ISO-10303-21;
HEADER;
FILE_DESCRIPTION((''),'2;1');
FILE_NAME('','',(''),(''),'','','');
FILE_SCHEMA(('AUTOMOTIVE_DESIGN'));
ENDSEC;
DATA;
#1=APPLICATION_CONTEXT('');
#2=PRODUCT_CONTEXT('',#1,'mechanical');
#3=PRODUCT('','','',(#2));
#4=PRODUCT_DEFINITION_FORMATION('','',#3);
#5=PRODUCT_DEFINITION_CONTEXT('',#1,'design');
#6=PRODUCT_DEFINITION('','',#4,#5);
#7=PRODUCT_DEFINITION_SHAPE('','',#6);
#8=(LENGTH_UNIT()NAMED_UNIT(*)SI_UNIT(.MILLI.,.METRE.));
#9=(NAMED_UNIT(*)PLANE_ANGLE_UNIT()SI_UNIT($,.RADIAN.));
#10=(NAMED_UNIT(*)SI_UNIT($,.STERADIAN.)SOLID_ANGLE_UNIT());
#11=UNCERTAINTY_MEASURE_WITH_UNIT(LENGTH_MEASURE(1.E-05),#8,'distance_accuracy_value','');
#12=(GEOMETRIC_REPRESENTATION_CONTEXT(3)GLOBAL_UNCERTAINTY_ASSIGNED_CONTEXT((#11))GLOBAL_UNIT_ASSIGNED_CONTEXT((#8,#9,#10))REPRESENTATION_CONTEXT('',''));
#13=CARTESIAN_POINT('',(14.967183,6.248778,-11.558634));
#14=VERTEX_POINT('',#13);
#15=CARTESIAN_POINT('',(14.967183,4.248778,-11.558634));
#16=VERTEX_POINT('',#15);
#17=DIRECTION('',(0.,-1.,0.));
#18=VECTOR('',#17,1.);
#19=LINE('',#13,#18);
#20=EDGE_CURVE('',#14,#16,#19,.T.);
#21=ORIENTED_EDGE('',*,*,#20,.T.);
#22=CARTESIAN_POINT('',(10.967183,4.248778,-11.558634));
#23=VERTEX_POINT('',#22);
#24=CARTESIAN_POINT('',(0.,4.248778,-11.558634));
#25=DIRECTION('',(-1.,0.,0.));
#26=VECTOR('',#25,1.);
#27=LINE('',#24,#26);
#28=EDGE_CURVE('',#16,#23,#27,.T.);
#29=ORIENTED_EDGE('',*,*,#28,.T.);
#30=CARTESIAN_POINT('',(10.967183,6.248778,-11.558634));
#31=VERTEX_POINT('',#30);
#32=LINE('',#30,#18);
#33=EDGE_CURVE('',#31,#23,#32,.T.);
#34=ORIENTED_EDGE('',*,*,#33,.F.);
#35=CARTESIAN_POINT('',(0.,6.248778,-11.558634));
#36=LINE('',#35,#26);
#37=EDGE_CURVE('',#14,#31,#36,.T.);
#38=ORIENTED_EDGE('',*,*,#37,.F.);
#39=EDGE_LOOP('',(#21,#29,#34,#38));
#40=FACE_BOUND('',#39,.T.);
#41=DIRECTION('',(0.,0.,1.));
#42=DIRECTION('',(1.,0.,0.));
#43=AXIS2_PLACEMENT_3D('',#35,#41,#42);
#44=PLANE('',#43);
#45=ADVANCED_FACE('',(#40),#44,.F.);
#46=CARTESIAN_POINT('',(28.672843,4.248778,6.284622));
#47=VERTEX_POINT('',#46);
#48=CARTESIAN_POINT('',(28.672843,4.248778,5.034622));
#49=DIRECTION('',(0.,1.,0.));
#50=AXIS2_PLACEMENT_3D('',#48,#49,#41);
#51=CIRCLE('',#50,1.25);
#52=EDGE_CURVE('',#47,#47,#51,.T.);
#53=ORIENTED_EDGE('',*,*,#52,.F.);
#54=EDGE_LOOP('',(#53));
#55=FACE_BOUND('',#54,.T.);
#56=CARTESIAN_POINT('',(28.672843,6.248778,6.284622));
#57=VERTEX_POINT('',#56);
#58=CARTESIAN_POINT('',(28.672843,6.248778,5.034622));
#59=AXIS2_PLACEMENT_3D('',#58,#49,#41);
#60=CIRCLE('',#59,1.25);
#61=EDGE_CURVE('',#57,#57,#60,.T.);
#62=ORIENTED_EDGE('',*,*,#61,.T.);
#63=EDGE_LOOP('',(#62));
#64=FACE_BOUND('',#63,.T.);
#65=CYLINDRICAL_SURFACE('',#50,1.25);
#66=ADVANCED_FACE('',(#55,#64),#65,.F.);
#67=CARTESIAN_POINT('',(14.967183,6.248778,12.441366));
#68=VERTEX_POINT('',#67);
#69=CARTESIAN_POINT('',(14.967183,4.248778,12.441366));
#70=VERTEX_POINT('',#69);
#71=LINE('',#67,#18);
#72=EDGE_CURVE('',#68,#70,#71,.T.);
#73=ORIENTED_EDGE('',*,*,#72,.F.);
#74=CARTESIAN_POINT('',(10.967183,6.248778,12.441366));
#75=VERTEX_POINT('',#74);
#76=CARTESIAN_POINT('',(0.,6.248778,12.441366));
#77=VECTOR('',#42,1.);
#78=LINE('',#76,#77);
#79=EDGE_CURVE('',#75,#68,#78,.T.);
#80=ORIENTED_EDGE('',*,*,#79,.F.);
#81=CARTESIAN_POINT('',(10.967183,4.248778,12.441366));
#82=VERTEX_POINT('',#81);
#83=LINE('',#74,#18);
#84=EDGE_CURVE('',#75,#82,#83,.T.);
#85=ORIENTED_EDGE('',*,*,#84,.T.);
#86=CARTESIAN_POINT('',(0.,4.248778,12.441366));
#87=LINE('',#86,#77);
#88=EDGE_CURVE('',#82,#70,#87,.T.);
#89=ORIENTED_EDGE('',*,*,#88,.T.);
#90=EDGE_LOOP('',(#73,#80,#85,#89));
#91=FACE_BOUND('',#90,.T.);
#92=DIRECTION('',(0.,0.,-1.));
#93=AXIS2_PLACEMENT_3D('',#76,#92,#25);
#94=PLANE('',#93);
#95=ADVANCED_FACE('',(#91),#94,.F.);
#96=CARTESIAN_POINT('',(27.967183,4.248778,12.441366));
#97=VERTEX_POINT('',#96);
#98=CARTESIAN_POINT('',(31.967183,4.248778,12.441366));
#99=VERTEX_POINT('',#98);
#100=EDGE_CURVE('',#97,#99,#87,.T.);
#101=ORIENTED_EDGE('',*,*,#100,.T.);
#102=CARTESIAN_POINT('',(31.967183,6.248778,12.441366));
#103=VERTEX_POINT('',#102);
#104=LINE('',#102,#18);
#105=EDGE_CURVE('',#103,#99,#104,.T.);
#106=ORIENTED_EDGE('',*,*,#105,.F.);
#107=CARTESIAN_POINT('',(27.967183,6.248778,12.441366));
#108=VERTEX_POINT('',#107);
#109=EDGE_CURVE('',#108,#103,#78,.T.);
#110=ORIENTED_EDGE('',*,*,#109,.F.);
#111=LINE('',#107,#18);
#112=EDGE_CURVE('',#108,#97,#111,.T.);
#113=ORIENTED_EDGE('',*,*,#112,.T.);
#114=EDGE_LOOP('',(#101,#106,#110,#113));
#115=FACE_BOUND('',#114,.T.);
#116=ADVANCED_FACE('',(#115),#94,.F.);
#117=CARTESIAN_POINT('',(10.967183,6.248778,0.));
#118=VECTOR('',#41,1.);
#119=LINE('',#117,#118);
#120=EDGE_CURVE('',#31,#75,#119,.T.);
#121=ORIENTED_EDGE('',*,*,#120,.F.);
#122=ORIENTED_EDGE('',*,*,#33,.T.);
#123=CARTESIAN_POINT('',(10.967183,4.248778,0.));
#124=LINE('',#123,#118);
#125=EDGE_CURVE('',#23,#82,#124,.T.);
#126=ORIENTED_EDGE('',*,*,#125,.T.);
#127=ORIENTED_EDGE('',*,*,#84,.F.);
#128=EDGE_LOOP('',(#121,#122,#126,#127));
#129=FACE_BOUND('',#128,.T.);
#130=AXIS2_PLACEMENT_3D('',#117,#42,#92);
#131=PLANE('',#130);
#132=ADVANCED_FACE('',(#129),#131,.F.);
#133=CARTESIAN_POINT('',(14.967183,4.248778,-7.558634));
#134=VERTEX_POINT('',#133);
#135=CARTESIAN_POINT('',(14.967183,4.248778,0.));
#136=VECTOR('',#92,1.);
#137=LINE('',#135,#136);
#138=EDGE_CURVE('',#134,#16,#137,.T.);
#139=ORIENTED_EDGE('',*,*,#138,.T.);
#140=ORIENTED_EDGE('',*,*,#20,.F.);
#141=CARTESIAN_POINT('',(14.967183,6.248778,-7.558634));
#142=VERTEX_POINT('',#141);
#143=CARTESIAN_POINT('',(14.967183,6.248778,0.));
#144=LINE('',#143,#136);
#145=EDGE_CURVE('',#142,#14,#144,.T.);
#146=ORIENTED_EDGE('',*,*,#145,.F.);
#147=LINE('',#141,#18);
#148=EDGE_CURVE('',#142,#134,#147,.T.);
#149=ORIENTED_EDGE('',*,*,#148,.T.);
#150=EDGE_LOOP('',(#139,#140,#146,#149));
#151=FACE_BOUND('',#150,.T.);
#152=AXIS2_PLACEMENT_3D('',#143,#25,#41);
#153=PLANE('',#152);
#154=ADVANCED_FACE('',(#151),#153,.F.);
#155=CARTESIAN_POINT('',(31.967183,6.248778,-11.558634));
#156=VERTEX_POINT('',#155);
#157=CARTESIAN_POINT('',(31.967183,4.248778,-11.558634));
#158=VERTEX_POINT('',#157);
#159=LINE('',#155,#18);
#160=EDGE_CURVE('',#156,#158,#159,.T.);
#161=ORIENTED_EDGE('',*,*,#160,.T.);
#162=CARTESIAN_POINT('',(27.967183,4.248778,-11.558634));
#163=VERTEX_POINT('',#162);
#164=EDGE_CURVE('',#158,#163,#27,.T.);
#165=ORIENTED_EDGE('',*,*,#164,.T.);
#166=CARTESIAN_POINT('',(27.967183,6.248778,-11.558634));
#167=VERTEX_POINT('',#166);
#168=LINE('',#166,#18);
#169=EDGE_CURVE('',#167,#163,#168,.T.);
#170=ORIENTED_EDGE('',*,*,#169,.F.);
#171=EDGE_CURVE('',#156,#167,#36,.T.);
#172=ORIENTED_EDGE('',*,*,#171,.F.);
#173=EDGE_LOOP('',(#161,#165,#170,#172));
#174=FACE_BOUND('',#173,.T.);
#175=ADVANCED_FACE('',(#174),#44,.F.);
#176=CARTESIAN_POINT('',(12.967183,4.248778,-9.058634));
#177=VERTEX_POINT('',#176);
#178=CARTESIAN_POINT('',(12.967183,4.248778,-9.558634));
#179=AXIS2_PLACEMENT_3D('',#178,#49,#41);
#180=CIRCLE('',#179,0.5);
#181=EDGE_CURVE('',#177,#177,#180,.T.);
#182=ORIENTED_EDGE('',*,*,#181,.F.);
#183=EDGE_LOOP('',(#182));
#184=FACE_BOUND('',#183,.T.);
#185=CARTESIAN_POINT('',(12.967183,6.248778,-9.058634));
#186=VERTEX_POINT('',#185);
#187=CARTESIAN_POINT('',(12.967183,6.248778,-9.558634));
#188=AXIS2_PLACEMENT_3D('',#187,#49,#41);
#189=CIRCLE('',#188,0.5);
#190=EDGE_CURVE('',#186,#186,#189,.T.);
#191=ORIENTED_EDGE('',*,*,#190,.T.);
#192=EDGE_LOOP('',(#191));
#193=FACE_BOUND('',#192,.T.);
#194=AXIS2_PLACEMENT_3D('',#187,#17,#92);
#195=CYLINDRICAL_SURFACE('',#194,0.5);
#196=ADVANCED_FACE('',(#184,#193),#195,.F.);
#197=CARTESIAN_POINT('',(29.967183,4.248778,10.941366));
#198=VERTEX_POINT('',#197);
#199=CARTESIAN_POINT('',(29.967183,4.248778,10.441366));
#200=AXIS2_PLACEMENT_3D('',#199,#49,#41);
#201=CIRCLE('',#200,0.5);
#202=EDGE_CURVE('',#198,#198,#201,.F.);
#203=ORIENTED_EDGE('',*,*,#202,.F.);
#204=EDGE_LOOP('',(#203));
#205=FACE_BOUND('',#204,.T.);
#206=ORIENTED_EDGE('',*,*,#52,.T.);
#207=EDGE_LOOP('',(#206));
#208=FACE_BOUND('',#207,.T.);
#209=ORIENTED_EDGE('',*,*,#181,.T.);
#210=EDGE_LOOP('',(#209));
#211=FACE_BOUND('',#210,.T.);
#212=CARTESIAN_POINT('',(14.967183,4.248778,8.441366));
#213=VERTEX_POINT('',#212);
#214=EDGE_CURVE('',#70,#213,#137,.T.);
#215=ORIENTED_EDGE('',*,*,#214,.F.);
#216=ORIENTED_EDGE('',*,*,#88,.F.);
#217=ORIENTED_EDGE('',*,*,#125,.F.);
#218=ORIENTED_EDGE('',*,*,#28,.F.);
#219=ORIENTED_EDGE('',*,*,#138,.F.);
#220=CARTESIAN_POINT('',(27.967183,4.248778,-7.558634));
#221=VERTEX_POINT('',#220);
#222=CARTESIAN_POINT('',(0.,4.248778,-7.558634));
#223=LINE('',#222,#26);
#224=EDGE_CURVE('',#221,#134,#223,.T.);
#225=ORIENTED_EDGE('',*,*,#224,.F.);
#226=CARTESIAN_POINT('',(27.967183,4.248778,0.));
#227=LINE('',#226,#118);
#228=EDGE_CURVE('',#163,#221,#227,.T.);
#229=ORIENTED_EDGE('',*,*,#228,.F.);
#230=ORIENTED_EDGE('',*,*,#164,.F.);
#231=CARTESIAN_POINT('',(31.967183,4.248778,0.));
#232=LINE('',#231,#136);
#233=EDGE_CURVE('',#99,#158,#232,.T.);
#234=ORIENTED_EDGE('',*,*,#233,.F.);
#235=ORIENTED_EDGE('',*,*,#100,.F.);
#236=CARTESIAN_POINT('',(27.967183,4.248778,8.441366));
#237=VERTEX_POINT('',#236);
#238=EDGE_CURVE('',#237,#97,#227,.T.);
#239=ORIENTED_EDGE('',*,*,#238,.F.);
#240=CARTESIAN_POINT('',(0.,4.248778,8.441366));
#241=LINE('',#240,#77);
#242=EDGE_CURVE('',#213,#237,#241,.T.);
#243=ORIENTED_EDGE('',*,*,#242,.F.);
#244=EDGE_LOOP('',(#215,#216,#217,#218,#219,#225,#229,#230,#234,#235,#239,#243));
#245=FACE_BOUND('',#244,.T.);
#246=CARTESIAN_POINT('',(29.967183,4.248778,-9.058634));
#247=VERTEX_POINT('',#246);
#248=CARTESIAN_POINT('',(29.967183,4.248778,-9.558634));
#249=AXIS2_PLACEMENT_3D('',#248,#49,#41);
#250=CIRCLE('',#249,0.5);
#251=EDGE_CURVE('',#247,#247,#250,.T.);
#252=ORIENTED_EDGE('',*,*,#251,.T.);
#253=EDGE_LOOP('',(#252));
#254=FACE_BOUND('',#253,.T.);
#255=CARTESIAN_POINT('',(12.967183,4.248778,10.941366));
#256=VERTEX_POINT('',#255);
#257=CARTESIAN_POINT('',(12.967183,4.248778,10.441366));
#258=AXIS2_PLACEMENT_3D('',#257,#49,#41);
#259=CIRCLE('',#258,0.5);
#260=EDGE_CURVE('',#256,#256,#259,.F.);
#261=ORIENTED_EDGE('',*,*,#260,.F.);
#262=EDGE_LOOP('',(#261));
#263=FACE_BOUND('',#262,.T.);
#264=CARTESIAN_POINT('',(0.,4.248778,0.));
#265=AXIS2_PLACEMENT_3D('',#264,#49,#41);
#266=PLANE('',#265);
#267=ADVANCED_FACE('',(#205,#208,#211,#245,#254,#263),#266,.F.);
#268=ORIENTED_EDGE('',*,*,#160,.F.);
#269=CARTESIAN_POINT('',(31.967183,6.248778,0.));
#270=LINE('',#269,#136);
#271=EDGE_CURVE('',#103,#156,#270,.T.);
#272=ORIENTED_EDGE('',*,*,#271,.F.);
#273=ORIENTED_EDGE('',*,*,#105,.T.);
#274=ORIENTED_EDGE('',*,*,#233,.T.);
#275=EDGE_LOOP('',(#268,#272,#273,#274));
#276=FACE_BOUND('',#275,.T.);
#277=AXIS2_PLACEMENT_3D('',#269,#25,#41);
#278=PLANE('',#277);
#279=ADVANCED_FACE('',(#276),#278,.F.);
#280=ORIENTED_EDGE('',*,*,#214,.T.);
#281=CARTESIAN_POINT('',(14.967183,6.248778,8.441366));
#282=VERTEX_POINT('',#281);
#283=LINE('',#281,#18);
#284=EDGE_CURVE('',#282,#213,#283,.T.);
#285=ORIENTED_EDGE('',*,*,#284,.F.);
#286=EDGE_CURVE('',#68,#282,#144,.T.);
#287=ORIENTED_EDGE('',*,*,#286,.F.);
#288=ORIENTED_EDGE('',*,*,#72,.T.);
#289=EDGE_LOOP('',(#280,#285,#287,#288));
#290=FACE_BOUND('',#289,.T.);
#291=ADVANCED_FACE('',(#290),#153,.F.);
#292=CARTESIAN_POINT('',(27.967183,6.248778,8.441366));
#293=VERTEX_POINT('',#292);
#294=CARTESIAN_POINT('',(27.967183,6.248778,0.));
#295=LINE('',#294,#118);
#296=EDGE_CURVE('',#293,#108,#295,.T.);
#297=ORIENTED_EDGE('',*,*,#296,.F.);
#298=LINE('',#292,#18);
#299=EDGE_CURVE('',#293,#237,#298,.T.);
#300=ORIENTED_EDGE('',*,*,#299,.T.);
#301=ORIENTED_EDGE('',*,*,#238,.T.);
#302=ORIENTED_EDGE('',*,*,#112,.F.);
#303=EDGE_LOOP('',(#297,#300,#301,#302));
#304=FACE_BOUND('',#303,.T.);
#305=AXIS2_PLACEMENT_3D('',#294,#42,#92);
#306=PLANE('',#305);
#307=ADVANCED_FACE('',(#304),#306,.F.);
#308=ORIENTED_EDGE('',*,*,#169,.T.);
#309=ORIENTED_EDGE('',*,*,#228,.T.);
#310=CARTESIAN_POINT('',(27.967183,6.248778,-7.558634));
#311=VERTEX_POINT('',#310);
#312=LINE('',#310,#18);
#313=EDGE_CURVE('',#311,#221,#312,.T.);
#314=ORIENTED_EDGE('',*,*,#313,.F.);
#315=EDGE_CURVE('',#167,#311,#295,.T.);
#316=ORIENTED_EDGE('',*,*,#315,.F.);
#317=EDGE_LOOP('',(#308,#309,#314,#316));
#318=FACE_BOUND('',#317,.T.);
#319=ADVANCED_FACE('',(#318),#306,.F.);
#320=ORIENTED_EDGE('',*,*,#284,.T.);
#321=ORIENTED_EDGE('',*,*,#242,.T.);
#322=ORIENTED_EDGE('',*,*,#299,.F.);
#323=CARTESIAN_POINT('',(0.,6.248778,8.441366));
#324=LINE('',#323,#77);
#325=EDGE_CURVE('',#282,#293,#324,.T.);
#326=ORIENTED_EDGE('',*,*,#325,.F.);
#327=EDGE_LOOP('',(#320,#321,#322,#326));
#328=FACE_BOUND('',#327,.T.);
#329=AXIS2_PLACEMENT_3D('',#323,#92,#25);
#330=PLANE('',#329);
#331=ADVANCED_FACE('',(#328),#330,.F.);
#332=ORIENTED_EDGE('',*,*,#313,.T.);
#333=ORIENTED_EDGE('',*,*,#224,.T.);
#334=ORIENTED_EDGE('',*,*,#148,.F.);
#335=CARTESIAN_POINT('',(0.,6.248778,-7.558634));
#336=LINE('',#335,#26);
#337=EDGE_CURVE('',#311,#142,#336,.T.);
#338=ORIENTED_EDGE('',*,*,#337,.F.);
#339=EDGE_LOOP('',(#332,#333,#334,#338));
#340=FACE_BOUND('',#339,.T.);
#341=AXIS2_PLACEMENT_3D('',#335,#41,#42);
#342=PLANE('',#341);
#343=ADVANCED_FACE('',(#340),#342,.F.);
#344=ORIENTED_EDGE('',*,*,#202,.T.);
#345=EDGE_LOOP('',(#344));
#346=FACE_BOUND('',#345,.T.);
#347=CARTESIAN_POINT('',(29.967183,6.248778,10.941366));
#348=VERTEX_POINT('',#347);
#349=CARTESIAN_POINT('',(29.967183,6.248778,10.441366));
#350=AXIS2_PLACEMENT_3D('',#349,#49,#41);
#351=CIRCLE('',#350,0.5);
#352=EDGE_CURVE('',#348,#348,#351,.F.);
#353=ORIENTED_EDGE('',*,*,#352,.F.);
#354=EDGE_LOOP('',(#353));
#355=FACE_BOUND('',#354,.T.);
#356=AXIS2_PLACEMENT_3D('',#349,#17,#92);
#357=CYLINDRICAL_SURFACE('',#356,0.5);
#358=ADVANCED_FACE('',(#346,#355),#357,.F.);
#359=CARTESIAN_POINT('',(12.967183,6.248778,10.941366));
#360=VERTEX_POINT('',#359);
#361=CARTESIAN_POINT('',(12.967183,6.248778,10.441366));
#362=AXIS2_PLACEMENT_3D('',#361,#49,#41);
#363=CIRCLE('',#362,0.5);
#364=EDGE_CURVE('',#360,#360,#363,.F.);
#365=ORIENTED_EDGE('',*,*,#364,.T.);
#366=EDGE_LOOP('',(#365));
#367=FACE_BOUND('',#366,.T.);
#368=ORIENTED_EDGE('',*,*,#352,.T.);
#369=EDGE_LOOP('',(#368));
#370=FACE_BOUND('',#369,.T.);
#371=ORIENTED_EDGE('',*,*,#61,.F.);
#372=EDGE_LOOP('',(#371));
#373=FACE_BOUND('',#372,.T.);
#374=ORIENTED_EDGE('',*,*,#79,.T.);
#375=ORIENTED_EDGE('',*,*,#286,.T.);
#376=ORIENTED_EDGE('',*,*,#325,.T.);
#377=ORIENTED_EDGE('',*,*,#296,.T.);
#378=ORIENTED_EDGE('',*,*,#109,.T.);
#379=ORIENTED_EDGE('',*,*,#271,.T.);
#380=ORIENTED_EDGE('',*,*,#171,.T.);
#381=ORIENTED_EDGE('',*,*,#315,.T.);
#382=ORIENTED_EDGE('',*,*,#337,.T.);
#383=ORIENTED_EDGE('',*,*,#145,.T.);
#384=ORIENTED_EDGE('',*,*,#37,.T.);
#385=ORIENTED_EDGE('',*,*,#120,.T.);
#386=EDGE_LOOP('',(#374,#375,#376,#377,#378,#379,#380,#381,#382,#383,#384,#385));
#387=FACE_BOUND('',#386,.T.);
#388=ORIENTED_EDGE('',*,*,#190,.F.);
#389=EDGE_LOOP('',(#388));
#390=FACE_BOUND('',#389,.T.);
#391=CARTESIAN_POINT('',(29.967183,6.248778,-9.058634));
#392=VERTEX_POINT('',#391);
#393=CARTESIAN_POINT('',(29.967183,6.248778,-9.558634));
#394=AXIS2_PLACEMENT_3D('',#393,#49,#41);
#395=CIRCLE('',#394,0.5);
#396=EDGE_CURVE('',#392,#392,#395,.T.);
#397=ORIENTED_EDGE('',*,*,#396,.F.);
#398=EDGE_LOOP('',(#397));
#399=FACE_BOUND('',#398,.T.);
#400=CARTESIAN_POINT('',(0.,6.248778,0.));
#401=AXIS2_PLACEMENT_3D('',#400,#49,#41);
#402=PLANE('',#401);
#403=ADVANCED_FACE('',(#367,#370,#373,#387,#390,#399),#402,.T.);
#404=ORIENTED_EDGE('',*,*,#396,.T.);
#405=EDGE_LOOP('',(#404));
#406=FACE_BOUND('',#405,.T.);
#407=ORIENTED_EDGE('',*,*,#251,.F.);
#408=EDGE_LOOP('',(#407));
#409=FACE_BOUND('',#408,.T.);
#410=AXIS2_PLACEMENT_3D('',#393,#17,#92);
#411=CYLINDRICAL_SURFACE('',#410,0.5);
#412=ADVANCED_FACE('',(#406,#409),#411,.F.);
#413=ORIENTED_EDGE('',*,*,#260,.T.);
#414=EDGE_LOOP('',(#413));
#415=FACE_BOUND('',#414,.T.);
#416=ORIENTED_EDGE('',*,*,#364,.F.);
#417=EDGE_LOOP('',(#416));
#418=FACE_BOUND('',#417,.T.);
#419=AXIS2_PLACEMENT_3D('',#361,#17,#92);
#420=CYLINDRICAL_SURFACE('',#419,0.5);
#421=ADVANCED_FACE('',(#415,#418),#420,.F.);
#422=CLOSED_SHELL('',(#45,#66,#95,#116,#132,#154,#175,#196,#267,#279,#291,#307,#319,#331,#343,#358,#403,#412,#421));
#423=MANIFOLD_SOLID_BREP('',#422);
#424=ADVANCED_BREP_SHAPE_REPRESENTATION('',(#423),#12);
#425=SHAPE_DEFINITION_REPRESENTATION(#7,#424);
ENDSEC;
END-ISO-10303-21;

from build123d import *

# Parameters (mm, degrees)
SKETCH1_R           = 0.5
SKETCH1_W           = 2
SKETCH1_H           = 2
SKETCH1_H_2         = 6
BOSS_EXTRUDE1_DEPTH = 2
SKETCH2_R           = 1.25
CUT_EXTRUDE1_DEPTH  = 2


with BuildPart() as part:
    # Sketch1 → Boss-Extrude1 (new body)
    # profile 1 of 6: a face of its own
    with BuildSketch(Plane(origin=(0, 4.248778205, 0), x_dir=(1, 0, 0), z_dir=(0, 1, 0))):
        Polygon((12.967182815, 5.558634222), (31.967182815, 5.558634222), (31.967182815, 11.558634222), (27.967182815, 11.558634222), (27.967182815, 7.558634222), (14.967182815, 7.558634222), (14.967182815, 11.558634222), (10.967182815, 11.558634222), (10.967182815, 5.558634222), align=None)
        with Locations(Location((12.967182815, 9.558634222, 0), (0, 0, 270))):
            Circle(SKETCH1_R, mode=Mode.SUBTRACT)
        with Locations(Location((29.967182815, 9.558634222, 0), (0, 0, 270))):
            Circle(SKETCH1_R, mode=Mode.SUBTRACT)
    # profile 2 of 6: a face of its own
    with BuildSketch(Plane(origin=(0, 4.248778205, 0), x_dir=(1, 0, 0), z_dir=(0, 1, 0))):
        Polygon((31.967182815, -0.441365778), (31.967182815, 5.558634222), (12.967182815, 5.558634222), (12.967182815, 3.558634222), (10.967182815, 3.558634222), (10.967182815, -4.441365778), (12.967182815, -4.441365778), (12.967182815, -6.441365778), (29.967182815, -6.441365778), (29.967182815, -0.441365778), align=None)
    # profile 3 of 6: a face of its own
    with BuildSketch(Plane(origin=(0, 4.248778205, 0), x_dir=(1, 0, 0), z_dir=(0, 1, 0))):
        Polygon((31.967182815, -12.441365778), (31.967182815, -6.441365778), (29.967182815, -6.441365778), (12.967182815, -6.441365778), (10.967182815, -6.441365778), (10.967182815, -12.441365778), (14.967182815, -12.441365778), (14.967182815, -8.441365778), (27.967182815, -8.441365778), (27.967182815, -12.441365778), align=None)
        with Locations(Location((12.967182815, -10.441365778, 0), (0, 0, 270))):
            Circle(SKETCH1_R, mode=Mode.SUBTRACT)
        with Locations(Location((29.967182815, -10.441365778, 0), (0, 0, 270))):
            Circle(SKETCH1_R, mode=Mode.SUBTRACT)
    # profile 4 of 6: a face of its own
    with BuildSketch(Plane(origin=(0, 4.248778205, 0), x_dir=(1, 0, 0), z_dir=(0, 1, 0))):
        with Locations((11.967182815, -5.441365778)):
            Rectangle(SKETCH1_W, SKETCH1_H)
    # profile 5 of 6: a face of its own
    with BuildSketch(Plane(origin=(0, 4.248778205, 0), x_dir=(1, 0, 0), z_dir=(0, 1, 0))):
        with Locations((11.967182815, 4.558634222)):
            Rectangle(SKETCH1_W, SKETCH1_H)
    # profile 6 of 6: a face of its own
    with BuildSketch(Plane(origin=(0, 4.248778205, 0), x_dir=(1, 0, 0), z_dir=(0, 1, 0))):
        with Locations((30.967182815, -3.441365778)):
            Rectangle(SKETCH1_W, SKETCH1_H_2)
    extrude(amount=BOSS_EXTRUDE1_DEPTH)

    # Sketch2 → Cut-Extrude1 (cut)
    with BuildSketch(Plane(origin=(0, 6.248778205, 0), x_dir=(1, 0, 0), z_dir=(0, 1, 0))):
        with Locations(Location((28.672843406, -5.034622275, 0), (0, 0, 270))):
            Circle(SKETCH2_R)
    extrude(amount=-CUT_EXTRUDE1_DEPTH, mode=Mode.SUBTRACT)


solid = part.part
